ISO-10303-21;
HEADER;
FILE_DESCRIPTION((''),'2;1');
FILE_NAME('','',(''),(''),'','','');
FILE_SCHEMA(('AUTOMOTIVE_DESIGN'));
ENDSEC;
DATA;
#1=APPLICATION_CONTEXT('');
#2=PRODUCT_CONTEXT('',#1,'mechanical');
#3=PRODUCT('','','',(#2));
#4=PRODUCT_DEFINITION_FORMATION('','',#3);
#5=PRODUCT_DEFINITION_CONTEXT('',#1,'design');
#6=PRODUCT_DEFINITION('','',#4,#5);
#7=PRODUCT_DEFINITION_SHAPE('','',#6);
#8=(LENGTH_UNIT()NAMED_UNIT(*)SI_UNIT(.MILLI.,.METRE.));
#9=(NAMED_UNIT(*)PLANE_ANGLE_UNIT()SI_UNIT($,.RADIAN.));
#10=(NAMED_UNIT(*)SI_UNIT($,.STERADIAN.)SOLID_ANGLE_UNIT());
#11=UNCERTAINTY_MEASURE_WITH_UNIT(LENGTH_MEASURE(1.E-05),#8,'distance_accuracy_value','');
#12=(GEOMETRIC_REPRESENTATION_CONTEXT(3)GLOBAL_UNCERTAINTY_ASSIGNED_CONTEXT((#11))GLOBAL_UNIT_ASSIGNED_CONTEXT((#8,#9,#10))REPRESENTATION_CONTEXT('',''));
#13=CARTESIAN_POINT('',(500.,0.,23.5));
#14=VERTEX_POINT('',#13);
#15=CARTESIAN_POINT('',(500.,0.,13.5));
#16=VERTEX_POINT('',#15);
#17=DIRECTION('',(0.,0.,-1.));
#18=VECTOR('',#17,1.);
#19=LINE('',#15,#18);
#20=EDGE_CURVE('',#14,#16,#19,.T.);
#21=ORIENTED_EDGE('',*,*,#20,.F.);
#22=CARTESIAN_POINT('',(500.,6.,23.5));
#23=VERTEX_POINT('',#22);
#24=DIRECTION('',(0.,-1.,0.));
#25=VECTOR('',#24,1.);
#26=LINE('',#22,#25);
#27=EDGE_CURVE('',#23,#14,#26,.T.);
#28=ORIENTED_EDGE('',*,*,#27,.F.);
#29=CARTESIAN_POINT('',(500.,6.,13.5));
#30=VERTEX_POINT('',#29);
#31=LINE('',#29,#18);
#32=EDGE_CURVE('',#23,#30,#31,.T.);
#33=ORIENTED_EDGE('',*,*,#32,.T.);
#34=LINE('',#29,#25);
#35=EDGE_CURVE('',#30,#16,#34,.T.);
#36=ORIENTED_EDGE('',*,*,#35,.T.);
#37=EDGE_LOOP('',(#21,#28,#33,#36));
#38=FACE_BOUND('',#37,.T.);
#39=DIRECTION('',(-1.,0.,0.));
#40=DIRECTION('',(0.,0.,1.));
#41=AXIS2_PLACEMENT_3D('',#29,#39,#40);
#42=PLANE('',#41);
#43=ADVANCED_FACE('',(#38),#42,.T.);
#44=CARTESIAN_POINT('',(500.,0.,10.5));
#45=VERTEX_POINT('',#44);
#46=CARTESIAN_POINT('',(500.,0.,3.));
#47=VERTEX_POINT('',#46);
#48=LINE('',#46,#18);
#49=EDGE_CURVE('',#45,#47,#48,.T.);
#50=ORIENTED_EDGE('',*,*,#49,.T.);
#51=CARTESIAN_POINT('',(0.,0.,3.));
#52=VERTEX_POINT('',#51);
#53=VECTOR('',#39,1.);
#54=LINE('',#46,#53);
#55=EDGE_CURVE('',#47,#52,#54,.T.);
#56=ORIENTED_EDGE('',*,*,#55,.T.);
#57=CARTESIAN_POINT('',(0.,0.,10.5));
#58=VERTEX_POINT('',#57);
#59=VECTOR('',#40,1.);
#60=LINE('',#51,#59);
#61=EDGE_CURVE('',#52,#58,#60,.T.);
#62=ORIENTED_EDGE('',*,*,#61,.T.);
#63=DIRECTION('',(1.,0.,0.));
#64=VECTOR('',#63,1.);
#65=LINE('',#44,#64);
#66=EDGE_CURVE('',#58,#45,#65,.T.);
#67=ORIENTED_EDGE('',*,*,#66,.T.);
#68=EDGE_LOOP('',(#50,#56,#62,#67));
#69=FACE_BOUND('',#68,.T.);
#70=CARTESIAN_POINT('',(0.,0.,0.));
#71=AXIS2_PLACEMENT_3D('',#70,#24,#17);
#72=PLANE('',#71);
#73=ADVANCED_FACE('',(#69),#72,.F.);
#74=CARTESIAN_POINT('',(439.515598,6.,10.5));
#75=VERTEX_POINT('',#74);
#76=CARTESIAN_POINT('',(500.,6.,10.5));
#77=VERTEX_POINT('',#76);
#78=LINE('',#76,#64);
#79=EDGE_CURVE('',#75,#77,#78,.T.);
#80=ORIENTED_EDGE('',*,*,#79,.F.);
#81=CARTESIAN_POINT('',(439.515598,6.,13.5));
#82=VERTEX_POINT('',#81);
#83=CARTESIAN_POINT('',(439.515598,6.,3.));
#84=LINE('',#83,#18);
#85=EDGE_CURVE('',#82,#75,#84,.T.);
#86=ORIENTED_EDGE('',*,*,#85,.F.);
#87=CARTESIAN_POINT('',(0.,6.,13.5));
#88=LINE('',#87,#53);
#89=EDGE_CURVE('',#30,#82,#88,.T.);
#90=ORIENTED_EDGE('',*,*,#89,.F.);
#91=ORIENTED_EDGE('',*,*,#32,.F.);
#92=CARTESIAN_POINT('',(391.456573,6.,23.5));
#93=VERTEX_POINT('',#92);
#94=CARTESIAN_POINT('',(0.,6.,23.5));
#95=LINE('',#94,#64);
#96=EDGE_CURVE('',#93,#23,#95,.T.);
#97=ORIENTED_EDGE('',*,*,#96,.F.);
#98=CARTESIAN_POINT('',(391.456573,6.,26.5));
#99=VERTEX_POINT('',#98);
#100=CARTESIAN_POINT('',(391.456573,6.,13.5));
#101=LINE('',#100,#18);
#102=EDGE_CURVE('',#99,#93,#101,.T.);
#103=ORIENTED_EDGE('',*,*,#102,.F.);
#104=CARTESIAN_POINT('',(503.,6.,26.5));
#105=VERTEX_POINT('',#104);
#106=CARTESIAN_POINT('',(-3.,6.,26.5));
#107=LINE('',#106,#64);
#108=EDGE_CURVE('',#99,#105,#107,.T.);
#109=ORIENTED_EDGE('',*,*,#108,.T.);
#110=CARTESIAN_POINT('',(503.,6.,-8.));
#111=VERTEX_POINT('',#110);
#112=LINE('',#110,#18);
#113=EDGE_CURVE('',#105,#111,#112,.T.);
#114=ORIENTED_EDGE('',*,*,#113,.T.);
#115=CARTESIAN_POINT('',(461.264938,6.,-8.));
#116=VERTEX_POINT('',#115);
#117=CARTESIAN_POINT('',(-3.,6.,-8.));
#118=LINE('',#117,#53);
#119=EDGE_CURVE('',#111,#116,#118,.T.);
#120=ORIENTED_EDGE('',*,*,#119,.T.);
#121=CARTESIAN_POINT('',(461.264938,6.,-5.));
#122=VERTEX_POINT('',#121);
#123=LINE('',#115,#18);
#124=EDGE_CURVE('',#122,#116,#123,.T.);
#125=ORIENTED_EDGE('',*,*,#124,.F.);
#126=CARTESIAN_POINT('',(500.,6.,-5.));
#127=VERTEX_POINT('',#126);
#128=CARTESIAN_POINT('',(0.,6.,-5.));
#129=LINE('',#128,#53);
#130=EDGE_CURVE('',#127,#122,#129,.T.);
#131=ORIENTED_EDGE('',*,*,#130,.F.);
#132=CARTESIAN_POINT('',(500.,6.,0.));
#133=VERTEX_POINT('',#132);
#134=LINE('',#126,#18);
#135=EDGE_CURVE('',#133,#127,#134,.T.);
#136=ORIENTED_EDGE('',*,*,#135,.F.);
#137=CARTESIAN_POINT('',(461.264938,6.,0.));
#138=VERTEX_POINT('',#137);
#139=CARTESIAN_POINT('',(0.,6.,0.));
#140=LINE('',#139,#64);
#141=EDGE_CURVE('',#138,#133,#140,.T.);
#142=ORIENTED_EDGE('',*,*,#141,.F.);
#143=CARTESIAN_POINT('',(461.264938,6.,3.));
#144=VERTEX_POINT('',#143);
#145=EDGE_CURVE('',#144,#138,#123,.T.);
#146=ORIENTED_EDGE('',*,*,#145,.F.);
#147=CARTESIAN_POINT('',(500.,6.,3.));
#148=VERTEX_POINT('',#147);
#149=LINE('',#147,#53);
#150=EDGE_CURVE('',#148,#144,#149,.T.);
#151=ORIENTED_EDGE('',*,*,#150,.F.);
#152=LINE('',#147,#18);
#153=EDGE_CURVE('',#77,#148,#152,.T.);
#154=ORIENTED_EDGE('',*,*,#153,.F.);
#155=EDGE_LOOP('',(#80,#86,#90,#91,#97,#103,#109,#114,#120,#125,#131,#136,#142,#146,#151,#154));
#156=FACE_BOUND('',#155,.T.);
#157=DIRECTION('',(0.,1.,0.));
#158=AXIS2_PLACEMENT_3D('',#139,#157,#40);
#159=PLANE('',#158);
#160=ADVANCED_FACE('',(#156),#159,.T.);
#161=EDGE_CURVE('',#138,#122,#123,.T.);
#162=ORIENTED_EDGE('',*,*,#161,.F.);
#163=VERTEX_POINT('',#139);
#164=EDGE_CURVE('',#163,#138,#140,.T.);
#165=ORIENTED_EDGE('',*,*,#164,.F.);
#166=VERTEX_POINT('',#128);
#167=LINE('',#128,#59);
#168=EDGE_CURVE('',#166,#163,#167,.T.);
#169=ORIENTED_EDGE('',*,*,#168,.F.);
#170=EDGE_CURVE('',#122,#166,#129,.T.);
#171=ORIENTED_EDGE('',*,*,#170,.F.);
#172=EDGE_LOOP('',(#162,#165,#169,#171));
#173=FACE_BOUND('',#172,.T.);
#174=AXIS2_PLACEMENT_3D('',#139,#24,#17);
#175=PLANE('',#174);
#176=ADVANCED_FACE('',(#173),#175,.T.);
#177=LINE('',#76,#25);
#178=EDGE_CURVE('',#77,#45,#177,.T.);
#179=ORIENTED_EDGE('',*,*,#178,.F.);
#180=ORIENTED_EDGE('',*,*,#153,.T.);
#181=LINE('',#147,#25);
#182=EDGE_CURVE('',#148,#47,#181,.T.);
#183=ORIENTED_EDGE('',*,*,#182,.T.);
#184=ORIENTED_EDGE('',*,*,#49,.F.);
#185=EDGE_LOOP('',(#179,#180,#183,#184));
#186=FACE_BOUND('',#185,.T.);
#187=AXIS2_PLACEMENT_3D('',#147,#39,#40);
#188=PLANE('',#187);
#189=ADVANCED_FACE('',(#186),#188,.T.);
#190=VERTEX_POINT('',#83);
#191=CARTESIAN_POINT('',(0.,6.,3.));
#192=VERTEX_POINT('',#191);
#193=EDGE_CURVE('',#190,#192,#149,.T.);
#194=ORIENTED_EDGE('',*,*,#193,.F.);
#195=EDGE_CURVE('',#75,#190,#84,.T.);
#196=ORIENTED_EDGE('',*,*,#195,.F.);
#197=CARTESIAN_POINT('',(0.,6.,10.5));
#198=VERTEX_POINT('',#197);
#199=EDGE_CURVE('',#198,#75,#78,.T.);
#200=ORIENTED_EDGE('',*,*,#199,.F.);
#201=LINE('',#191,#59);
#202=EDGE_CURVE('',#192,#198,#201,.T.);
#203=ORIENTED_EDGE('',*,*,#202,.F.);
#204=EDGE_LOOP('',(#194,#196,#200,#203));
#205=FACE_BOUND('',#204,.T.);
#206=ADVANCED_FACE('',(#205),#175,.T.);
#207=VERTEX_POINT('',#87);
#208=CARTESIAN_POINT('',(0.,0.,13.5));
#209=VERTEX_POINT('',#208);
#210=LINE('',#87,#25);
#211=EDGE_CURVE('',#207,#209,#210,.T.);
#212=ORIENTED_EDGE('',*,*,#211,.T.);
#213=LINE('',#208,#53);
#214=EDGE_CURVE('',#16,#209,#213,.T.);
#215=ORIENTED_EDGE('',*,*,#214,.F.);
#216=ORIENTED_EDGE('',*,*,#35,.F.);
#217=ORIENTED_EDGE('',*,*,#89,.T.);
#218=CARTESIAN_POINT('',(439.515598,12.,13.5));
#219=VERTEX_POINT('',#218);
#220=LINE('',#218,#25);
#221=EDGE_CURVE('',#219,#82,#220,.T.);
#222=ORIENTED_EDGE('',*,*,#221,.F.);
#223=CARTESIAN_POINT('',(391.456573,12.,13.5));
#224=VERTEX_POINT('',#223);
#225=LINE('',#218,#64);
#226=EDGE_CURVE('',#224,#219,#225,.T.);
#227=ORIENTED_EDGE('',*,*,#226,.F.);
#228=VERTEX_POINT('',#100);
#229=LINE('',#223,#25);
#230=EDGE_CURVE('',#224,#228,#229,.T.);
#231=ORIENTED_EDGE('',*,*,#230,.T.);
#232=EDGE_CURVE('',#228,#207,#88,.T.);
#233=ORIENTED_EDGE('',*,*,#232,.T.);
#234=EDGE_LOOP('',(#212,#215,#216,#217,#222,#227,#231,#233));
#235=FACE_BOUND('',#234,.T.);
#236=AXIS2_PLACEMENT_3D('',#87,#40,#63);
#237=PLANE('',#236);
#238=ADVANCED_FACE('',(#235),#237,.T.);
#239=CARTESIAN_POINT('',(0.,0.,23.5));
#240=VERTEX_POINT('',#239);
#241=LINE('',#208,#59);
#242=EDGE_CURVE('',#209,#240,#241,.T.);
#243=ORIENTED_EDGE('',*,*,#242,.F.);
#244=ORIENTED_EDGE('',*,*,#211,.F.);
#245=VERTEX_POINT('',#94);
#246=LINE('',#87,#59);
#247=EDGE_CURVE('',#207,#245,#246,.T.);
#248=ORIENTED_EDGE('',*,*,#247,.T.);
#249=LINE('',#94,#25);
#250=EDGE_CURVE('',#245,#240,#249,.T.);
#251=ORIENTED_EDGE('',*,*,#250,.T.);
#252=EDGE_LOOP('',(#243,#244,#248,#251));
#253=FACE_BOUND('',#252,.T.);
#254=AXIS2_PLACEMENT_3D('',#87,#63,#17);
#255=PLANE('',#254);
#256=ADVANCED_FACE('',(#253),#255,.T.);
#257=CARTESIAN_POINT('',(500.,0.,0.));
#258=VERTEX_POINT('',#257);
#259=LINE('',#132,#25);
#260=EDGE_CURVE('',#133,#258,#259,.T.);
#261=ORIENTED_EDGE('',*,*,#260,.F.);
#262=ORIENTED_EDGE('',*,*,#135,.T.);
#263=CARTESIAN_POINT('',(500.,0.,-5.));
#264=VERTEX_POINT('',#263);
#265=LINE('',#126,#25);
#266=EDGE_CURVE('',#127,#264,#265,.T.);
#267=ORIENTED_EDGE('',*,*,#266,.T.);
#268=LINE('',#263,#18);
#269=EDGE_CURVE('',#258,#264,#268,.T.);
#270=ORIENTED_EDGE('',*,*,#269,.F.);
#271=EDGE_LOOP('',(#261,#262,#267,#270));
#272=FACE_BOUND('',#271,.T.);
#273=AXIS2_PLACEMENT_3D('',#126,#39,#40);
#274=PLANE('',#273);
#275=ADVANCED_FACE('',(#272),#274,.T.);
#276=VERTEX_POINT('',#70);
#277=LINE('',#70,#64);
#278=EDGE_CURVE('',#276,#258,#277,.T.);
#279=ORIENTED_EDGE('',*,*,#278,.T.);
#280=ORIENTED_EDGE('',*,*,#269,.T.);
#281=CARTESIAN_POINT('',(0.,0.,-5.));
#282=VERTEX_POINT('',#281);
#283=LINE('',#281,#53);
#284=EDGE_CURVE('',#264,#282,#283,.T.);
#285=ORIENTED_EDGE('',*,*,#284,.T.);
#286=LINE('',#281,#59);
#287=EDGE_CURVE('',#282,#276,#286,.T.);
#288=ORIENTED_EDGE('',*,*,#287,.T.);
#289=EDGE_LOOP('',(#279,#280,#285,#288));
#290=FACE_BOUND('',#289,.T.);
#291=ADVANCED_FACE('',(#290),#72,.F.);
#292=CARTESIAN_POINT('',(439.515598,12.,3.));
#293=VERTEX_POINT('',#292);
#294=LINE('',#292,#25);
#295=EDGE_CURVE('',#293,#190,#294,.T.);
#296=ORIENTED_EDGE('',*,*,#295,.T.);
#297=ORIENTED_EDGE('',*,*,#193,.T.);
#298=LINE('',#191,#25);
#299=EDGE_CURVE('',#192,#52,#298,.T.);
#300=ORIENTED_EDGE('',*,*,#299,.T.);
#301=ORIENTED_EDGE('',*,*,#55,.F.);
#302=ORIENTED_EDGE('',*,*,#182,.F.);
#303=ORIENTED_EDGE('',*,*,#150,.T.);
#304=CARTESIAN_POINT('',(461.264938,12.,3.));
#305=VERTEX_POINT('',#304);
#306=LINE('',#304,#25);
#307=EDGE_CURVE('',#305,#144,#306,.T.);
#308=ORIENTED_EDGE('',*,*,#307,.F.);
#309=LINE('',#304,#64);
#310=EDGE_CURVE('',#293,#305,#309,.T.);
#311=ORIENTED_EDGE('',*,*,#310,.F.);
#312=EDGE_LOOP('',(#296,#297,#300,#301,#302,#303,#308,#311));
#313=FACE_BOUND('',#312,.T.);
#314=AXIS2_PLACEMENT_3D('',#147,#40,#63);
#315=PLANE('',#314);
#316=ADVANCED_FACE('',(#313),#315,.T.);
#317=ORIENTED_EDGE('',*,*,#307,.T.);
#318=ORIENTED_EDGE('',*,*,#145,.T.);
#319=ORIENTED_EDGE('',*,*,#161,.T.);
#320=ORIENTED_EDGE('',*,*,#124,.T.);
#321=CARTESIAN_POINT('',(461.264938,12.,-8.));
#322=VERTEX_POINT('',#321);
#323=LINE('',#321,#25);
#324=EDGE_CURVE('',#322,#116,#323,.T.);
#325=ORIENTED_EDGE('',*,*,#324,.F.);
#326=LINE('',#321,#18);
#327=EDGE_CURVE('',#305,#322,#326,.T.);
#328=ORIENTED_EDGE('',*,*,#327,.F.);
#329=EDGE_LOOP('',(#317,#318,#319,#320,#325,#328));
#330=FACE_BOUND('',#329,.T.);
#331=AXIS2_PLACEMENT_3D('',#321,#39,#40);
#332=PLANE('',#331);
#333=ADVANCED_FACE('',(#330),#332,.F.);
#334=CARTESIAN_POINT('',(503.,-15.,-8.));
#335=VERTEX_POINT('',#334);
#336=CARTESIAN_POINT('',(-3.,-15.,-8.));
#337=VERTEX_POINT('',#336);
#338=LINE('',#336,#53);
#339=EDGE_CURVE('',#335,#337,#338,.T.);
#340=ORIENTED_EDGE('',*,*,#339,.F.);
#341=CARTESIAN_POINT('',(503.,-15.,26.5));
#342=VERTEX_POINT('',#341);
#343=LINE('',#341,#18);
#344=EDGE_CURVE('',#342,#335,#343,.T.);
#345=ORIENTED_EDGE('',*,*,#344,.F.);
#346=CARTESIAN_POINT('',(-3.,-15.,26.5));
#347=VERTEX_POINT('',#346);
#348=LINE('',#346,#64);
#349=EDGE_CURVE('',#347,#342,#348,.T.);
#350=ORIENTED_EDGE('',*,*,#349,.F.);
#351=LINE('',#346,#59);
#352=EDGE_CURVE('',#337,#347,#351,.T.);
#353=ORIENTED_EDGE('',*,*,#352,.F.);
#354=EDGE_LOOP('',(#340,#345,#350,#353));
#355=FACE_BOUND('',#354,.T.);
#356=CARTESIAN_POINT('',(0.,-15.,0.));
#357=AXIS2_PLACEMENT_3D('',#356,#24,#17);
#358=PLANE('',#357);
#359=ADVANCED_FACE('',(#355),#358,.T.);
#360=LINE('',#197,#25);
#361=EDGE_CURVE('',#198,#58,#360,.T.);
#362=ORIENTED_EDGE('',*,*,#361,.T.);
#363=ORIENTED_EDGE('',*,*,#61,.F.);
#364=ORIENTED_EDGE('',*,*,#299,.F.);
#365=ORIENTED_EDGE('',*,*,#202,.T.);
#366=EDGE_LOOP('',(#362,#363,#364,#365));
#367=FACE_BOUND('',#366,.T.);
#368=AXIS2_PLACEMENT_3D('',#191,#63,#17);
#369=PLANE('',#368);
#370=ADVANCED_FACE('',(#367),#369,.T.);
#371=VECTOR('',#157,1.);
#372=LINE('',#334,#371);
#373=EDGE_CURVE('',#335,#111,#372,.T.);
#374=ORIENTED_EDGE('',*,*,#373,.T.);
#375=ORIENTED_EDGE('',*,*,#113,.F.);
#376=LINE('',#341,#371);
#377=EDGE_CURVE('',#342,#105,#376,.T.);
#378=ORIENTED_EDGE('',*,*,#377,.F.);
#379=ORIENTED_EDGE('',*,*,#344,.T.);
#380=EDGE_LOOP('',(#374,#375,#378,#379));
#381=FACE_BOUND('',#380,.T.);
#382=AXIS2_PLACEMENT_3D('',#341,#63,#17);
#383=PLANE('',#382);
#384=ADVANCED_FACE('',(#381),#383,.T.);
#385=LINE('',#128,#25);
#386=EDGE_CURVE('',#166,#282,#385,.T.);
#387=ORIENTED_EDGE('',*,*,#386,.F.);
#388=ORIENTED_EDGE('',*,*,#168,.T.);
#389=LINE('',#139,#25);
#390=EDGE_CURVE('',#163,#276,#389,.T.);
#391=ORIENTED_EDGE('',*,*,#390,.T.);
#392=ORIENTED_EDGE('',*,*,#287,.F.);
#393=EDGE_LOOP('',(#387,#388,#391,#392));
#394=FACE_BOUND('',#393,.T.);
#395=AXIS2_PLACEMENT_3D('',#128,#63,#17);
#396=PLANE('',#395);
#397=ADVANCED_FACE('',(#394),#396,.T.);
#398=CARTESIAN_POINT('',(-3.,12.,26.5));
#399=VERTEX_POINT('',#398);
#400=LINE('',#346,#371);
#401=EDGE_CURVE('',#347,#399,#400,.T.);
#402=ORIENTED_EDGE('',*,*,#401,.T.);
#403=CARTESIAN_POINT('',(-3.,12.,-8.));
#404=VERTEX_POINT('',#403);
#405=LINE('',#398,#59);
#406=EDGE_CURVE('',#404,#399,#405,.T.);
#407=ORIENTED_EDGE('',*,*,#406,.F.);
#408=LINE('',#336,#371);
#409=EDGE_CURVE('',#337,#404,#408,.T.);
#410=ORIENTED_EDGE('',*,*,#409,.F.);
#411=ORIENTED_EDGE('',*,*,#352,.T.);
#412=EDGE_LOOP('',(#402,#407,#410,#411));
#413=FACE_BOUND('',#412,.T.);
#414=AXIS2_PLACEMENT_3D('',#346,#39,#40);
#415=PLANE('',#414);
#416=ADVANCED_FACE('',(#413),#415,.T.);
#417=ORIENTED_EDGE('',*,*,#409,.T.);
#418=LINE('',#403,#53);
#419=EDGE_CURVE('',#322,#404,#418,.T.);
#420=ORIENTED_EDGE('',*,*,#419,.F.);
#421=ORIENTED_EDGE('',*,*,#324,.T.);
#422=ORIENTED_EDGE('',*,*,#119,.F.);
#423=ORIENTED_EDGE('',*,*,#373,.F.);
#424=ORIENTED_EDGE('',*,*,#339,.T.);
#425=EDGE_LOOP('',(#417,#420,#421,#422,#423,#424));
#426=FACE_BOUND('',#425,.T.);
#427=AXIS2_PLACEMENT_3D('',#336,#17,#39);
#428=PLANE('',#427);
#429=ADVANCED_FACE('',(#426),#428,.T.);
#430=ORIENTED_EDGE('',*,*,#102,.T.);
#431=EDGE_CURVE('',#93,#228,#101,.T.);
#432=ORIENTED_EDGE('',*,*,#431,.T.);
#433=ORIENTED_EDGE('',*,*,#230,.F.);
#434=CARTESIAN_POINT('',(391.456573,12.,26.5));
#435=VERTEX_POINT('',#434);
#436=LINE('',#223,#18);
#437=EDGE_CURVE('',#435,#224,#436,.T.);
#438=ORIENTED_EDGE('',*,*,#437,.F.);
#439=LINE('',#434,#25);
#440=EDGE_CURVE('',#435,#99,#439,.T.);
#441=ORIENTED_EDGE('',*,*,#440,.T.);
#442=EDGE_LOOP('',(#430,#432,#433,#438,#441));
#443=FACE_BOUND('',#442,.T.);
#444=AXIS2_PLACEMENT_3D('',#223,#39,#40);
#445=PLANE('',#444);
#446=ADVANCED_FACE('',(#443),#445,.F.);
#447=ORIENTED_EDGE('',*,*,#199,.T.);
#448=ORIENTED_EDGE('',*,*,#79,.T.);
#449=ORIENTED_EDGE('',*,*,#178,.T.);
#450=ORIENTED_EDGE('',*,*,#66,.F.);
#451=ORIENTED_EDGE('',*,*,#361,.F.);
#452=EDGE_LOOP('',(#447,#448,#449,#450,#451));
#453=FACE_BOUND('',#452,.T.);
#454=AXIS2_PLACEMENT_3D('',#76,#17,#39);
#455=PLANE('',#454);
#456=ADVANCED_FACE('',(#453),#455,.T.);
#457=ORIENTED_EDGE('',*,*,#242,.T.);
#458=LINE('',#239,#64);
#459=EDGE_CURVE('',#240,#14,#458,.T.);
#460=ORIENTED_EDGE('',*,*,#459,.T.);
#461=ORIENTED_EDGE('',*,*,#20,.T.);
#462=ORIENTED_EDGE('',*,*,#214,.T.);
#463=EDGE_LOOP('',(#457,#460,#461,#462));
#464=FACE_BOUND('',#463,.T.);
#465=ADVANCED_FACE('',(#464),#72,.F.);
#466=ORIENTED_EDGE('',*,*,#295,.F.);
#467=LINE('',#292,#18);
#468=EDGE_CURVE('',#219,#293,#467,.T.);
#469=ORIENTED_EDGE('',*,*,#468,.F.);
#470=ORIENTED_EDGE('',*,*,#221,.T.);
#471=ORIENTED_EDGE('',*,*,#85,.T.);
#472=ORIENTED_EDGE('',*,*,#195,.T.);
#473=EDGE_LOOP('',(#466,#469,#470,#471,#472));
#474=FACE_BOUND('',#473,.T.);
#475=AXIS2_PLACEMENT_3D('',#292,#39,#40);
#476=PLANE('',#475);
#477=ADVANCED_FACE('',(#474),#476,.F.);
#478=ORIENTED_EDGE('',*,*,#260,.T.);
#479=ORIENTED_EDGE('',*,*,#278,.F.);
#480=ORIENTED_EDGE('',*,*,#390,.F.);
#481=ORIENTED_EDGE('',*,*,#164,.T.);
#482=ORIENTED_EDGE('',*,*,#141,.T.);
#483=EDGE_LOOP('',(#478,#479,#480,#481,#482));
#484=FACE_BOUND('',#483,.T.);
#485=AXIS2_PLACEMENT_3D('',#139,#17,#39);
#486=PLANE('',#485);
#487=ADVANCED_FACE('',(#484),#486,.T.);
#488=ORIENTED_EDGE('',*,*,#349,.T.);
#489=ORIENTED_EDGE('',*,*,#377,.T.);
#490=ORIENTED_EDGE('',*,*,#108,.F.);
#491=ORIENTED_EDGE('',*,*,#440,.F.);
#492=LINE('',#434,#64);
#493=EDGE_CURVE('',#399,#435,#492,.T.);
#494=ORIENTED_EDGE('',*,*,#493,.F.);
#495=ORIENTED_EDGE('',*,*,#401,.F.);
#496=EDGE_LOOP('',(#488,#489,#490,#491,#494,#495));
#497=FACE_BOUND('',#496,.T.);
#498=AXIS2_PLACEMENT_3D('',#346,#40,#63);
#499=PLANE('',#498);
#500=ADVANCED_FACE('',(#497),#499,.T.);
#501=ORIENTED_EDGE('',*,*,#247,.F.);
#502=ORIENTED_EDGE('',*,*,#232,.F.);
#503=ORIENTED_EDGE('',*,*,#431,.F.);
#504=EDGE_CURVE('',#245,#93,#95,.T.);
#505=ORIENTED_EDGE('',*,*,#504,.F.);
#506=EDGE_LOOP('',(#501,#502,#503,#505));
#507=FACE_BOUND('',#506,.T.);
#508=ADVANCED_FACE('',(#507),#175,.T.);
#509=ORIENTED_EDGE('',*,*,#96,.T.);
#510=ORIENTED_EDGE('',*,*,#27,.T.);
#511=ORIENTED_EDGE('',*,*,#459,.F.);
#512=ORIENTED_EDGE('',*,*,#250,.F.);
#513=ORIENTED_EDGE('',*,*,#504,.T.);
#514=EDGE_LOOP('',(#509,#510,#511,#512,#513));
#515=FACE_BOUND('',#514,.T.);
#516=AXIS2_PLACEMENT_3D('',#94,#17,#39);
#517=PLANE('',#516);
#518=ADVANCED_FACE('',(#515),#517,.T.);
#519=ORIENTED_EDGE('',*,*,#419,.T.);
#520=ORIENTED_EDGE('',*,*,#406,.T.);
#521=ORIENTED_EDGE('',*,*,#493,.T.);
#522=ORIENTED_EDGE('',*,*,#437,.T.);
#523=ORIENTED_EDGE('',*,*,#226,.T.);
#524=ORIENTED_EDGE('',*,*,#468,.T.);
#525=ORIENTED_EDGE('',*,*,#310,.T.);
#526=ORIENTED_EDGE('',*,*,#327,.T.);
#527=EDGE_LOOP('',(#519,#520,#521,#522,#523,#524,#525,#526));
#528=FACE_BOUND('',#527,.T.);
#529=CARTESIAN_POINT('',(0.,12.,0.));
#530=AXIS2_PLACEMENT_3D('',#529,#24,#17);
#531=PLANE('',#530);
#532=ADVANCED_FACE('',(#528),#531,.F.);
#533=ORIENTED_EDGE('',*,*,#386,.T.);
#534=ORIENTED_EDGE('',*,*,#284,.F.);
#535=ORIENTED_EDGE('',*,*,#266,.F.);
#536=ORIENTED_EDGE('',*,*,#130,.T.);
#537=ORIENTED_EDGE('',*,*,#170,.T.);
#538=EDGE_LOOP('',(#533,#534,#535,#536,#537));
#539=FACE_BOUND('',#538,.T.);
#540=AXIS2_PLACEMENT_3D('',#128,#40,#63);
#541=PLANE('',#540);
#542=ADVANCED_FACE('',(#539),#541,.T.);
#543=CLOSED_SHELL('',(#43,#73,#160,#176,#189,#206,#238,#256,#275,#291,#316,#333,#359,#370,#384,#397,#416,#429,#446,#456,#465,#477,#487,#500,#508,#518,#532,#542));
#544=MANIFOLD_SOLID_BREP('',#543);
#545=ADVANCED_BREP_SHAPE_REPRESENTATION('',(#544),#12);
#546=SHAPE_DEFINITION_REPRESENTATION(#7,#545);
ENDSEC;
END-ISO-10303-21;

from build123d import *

# Parameters (mm, degrees)
SKETCH1_W           = 506
SKETCH1_H           = 34.5
BOSS_EXTRUDE1_DEPTH = 15
SKETCH3_W           = 506
SKETCH3_H           = 34.5
SKETCH3_W_2         = 500
SKETCH3_H_2         = 10
SKETCH3_H_3         = 5
SKETCH3_H_4         = 7.5
BOSS_EXTRUDE2_DEPTH = 6
BOSS_EXTRUDE3_DEPTH = 6


with BuildPart() as part:
    # Sketch1 → Boss-Extrude1 (new body)
    with BuildSketch(Plane(origin=(0, 0, 0), x_dir=(1, 0, 0), z_dir=(0, 1, 0))):
        with Locations((250, -9.25)):
            Rectangle(SKETCH1_W, SKETCH1_H)
    extrude(amount=-BOSS_EXTRUDE1_DEPTH)

    # Sketch3 → Boss-Extrude2 (add)
    with BuildSketch(Plane(origin=(0, 0, 0), x_dir=(1, 0, 0), z_dir=(0, 1, 0))):
        with Locations((250, -9.25)):
            Rectangle(SKETCH3_W, SKETCH3_H)
        with Locations((250, -18.5)):
            Rectangle(SKETCH3_W_2, SKETCH3_H_2, mode=Mode.SUBTRACT)
        with Locations((250, 2.5)):
            Rectangle(SKETCH3_W_2, SKETCH3_H_3, mode=Mode.SUBTRACT)
        with Locations((250, -6.75)):
            Rectangle(SKETCH3_W_2, SKETCH3_H_4, mode=Mode.SUBTRACT)
    extrude(amount=BOSS_EXTRUDE2_DEPTH)

    # Sketch4 → Boss-Extrude3 (add)
    with BuildSketch(Plane(origin=(0, 6, 0), x_dir=(1, 0, 0), z_dir=(0, 1, 0))):
        Polygon((461.264937975, 8), (461.264937975, -3), (439.515598099, -3), (439.515598099, -13.5), (391.45657289, -13.5), (391.45657289, -26.5), (-3, -26.5), (-3, 8), align=None)
    extrude(amount=BOSS_EXTRUDE3_DEPTH)


solid = part.part
